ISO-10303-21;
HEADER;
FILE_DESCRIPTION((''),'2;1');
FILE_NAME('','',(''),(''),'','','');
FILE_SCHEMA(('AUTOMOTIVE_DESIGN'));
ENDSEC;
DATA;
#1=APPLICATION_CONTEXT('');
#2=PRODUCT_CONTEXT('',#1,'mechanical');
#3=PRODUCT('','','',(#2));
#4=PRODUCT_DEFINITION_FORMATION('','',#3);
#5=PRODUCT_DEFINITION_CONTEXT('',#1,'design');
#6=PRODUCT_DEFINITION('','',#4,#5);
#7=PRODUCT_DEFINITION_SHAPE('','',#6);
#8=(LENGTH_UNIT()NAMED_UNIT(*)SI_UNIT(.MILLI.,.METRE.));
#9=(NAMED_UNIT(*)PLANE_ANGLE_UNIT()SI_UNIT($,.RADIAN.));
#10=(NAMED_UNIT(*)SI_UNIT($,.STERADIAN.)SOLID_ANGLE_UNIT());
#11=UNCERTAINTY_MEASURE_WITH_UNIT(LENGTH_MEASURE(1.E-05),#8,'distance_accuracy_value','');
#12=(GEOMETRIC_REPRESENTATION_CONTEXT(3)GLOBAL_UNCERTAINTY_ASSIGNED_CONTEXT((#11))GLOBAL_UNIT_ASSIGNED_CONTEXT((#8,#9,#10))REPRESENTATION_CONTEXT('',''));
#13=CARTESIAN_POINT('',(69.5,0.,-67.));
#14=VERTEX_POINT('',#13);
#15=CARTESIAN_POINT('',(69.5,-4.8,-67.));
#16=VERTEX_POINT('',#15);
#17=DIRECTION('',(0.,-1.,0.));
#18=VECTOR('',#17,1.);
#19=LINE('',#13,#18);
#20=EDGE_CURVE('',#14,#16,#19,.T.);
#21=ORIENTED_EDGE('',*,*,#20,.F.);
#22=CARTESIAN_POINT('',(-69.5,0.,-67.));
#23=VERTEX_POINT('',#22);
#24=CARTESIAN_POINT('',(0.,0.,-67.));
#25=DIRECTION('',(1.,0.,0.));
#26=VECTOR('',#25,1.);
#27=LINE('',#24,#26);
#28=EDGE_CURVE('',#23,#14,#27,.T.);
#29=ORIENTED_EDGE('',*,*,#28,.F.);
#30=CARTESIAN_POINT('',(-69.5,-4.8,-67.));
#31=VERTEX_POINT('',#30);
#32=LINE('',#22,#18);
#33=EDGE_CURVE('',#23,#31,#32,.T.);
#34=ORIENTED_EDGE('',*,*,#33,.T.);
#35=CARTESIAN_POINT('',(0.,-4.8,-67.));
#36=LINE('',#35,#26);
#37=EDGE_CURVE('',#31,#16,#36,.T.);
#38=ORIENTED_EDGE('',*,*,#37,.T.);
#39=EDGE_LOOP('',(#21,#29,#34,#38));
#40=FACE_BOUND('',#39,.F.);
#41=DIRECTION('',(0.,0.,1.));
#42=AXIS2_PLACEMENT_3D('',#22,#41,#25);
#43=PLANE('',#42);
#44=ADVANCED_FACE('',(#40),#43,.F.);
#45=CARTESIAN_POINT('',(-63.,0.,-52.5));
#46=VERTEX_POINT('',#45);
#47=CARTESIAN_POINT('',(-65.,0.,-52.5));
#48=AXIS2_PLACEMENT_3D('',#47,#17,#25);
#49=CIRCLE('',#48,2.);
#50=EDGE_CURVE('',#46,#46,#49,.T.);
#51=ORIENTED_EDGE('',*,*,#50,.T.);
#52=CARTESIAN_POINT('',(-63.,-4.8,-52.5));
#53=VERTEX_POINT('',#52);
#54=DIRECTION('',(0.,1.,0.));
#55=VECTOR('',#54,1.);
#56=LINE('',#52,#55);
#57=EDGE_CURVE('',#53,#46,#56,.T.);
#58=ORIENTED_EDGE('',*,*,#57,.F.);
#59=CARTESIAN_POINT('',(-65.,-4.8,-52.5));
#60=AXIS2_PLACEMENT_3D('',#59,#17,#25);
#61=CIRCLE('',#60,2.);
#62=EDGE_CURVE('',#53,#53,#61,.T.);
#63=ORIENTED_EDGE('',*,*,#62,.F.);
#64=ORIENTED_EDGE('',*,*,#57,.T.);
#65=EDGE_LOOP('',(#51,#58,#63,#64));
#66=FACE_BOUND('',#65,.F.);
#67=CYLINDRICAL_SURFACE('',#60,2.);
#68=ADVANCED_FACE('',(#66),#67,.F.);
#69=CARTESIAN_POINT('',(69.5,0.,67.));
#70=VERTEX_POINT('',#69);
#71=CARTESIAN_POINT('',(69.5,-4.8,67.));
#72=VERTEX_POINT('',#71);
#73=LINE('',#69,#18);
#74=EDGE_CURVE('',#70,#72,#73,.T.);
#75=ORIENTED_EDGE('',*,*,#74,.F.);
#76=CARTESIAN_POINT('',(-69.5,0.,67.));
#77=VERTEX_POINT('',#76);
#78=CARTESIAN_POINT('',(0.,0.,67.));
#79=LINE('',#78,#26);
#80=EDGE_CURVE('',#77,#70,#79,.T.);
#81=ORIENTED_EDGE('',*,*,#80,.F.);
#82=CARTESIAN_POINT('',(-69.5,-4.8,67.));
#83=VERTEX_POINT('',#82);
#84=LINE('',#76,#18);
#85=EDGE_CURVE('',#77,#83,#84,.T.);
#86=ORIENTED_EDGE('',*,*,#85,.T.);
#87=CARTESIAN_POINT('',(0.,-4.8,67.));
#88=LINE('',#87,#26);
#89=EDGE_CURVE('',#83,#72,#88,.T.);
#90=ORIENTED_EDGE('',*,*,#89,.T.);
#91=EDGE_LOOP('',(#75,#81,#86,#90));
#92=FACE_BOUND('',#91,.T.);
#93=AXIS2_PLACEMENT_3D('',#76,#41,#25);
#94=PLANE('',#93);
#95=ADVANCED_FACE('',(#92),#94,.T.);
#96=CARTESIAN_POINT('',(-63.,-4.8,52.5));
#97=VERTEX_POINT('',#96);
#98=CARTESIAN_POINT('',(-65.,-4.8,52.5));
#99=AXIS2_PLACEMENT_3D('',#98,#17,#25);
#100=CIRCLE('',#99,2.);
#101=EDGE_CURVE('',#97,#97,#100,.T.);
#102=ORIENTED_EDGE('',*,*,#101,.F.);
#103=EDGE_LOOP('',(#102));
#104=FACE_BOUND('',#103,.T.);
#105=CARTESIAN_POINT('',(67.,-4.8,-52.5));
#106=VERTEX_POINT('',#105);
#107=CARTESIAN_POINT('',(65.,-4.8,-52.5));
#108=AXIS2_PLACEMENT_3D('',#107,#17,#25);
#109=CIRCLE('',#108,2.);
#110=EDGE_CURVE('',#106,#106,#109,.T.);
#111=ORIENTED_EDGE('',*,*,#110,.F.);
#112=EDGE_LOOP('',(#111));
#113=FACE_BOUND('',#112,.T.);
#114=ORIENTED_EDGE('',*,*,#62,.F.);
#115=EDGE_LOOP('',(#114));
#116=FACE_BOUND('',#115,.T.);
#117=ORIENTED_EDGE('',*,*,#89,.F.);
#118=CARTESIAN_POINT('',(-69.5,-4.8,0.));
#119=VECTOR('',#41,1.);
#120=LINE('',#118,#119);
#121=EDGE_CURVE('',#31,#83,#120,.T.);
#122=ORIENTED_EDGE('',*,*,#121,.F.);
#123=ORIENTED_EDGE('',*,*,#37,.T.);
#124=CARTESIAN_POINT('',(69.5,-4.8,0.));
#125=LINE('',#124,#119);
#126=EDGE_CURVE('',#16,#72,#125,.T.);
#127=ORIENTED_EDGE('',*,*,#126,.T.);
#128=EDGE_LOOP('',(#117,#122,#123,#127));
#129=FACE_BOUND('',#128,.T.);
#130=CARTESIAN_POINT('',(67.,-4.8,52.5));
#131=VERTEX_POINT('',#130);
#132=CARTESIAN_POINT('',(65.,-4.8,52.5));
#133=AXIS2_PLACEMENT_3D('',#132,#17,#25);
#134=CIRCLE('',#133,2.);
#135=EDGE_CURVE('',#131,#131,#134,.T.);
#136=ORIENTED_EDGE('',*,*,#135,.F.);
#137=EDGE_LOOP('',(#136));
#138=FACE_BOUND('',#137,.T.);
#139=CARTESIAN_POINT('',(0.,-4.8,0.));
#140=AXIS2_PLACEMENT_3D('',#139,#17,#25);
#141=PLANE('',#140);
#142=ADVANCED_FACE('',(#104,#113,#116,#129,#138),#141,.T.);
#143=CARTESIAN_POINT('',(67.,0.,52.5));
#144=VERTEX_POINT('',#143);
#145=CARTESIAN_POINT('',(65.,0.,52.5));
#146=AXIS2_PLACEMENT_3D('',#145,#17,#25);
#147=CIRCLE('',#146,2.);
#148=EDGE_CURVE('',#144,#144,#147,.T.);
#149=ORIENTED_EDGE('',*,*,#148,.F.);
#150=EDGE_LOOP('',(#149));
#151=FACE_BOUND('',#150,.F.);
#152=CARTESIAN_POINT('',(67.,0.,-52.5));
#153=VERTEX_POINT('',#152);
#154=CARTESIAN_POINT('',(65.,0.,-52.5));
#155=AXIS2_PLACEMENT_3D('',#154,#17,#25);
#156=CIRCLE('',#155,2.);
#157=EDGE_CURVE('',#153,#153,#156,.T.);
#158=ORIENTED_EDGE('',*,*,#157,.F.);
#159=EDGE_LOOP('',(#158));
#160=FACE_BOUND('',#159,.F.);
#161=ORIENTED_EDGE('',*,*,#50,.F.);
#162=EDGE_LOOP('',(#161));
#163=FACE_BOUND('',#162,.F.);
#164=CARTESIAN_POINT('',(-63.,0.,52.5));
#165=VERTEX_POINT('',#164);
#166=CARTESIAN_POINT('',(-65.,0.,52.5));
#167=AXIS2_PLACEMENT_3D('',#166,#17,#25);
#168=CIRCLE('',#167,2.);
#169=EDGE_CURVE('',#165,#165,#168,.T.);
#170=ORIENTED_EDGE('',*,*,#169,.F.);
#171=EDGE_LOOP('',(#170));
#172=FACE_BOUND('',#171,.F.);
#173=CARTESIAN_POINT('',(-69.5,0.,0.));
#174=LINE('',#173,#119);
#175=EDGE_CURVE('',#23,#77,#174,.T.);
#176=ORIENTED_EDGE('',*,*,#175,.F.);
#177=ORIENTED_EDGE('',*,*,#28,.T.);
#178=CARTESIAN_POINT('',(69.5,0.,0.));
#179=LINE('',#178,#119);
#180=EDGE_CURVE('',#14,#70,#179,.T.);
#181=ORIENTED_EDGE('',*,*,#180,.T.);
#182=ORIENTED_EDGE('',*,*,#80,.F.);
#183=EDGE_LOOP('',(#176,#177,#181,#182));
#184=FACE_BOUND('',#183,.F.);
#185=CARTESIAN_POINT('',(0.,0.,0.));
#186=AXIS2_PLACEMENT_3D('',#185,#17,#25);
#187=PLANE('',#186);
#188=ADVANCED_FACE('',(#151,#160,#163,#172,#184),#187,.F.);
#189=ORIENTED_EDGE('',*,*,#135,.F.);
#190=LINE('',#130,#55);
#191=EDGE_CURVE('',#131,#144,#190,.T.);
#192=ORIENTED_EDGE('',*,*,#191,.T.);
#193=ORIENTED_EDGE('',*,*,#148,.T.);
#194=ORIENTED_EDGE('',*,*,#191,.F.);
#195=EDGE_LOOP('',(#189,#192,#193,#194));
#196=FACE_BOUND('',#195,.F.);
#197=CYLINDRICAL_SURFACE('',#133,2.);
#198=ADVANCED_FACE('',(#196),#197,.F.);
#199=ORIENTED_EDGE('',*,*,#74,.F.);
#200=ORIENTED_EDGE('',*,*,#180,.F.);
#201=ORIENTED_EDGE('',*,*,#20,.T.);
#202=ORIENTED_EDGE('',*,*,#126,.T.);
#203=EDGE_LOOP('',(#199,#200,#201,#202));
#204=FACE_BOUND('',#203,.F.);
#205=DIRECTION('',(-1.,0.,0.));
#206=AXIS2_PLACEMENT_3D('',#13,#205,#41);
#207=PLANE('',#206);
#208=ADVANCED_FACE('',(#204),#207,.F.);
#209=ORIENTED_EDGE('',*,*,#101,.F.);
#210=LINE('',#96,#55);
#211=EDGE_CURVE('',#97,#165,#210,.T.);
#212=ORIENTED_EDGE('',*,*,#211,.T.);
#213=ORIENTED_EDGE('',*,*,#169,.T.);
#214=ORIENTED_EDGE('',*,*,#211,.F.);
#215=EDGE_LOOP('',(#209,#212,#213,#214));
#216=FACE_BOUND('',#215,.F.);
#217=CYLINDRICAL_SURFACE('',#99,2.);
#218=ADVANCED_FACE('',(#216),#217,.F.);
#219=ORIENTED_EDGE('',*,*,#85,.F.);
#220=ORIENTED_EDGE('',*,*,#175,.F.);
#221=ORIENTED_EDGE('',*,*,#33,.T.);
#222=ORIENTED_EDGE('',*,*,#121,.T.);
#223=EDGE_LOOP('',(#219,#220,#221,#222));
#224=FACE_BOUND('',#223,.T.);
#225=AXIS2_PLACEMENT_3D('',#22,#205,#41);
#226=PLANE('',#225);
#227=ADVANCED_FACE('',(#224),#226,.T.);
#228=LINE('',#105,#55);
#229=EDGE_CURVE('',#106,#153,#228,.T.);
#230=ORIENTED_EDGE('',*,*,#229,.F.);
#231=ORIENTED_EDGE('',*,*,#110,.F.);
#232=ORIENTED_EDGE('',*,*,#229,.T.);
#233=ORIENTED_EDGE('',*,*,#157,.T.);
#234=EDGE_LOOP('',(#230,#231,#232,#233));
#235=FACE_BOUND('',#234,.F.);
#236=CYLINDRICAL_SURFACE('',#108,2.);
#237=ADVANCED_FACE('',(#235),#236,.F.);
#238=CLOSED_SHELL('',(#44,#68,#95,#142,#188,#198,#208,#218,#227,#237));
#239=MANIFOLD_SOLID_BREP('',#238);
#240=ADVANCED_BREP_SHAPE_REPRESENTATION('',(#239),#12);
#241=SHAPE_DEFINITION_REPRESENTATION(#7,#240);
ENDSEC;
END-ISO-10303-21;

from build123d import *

# Parameters (mm, degrees)
SKETCH_W     = 139
SKETCH_H     = 134
PAD_DEPTH    = 4.8
SKETCH001_R  = 2
POCKET_DEPTH = 4.801


with BuildPart() as part:
    # Sketch → Pad (new body)
    with BuildSketch(Plane.XZ):
        Rectangle(SKETCH_W, SKETCH_H)
    extrude(amount=PAD_DEPTH)

    # Sketch001 (on Face6 of Pad) → Pocket (cut, through all)
    with BuildSketch(Plane.XZ.offset(4.8)):
        with Locations((65, 52.5)):
            Circle(SKETCH001_R)
        with Locations((65, -52.5)):
            Circle(SKETCH001_R)
        with Locations((-65, -52.5)):
            Circle(SKETCH001_R)
        with Locations((-65, 52.5)):
            Circle(SKETCH001_R)
    extrude(amount=-POCKET_DEPTH, mode=Mode.SUBTRACT)


solid = part.part
